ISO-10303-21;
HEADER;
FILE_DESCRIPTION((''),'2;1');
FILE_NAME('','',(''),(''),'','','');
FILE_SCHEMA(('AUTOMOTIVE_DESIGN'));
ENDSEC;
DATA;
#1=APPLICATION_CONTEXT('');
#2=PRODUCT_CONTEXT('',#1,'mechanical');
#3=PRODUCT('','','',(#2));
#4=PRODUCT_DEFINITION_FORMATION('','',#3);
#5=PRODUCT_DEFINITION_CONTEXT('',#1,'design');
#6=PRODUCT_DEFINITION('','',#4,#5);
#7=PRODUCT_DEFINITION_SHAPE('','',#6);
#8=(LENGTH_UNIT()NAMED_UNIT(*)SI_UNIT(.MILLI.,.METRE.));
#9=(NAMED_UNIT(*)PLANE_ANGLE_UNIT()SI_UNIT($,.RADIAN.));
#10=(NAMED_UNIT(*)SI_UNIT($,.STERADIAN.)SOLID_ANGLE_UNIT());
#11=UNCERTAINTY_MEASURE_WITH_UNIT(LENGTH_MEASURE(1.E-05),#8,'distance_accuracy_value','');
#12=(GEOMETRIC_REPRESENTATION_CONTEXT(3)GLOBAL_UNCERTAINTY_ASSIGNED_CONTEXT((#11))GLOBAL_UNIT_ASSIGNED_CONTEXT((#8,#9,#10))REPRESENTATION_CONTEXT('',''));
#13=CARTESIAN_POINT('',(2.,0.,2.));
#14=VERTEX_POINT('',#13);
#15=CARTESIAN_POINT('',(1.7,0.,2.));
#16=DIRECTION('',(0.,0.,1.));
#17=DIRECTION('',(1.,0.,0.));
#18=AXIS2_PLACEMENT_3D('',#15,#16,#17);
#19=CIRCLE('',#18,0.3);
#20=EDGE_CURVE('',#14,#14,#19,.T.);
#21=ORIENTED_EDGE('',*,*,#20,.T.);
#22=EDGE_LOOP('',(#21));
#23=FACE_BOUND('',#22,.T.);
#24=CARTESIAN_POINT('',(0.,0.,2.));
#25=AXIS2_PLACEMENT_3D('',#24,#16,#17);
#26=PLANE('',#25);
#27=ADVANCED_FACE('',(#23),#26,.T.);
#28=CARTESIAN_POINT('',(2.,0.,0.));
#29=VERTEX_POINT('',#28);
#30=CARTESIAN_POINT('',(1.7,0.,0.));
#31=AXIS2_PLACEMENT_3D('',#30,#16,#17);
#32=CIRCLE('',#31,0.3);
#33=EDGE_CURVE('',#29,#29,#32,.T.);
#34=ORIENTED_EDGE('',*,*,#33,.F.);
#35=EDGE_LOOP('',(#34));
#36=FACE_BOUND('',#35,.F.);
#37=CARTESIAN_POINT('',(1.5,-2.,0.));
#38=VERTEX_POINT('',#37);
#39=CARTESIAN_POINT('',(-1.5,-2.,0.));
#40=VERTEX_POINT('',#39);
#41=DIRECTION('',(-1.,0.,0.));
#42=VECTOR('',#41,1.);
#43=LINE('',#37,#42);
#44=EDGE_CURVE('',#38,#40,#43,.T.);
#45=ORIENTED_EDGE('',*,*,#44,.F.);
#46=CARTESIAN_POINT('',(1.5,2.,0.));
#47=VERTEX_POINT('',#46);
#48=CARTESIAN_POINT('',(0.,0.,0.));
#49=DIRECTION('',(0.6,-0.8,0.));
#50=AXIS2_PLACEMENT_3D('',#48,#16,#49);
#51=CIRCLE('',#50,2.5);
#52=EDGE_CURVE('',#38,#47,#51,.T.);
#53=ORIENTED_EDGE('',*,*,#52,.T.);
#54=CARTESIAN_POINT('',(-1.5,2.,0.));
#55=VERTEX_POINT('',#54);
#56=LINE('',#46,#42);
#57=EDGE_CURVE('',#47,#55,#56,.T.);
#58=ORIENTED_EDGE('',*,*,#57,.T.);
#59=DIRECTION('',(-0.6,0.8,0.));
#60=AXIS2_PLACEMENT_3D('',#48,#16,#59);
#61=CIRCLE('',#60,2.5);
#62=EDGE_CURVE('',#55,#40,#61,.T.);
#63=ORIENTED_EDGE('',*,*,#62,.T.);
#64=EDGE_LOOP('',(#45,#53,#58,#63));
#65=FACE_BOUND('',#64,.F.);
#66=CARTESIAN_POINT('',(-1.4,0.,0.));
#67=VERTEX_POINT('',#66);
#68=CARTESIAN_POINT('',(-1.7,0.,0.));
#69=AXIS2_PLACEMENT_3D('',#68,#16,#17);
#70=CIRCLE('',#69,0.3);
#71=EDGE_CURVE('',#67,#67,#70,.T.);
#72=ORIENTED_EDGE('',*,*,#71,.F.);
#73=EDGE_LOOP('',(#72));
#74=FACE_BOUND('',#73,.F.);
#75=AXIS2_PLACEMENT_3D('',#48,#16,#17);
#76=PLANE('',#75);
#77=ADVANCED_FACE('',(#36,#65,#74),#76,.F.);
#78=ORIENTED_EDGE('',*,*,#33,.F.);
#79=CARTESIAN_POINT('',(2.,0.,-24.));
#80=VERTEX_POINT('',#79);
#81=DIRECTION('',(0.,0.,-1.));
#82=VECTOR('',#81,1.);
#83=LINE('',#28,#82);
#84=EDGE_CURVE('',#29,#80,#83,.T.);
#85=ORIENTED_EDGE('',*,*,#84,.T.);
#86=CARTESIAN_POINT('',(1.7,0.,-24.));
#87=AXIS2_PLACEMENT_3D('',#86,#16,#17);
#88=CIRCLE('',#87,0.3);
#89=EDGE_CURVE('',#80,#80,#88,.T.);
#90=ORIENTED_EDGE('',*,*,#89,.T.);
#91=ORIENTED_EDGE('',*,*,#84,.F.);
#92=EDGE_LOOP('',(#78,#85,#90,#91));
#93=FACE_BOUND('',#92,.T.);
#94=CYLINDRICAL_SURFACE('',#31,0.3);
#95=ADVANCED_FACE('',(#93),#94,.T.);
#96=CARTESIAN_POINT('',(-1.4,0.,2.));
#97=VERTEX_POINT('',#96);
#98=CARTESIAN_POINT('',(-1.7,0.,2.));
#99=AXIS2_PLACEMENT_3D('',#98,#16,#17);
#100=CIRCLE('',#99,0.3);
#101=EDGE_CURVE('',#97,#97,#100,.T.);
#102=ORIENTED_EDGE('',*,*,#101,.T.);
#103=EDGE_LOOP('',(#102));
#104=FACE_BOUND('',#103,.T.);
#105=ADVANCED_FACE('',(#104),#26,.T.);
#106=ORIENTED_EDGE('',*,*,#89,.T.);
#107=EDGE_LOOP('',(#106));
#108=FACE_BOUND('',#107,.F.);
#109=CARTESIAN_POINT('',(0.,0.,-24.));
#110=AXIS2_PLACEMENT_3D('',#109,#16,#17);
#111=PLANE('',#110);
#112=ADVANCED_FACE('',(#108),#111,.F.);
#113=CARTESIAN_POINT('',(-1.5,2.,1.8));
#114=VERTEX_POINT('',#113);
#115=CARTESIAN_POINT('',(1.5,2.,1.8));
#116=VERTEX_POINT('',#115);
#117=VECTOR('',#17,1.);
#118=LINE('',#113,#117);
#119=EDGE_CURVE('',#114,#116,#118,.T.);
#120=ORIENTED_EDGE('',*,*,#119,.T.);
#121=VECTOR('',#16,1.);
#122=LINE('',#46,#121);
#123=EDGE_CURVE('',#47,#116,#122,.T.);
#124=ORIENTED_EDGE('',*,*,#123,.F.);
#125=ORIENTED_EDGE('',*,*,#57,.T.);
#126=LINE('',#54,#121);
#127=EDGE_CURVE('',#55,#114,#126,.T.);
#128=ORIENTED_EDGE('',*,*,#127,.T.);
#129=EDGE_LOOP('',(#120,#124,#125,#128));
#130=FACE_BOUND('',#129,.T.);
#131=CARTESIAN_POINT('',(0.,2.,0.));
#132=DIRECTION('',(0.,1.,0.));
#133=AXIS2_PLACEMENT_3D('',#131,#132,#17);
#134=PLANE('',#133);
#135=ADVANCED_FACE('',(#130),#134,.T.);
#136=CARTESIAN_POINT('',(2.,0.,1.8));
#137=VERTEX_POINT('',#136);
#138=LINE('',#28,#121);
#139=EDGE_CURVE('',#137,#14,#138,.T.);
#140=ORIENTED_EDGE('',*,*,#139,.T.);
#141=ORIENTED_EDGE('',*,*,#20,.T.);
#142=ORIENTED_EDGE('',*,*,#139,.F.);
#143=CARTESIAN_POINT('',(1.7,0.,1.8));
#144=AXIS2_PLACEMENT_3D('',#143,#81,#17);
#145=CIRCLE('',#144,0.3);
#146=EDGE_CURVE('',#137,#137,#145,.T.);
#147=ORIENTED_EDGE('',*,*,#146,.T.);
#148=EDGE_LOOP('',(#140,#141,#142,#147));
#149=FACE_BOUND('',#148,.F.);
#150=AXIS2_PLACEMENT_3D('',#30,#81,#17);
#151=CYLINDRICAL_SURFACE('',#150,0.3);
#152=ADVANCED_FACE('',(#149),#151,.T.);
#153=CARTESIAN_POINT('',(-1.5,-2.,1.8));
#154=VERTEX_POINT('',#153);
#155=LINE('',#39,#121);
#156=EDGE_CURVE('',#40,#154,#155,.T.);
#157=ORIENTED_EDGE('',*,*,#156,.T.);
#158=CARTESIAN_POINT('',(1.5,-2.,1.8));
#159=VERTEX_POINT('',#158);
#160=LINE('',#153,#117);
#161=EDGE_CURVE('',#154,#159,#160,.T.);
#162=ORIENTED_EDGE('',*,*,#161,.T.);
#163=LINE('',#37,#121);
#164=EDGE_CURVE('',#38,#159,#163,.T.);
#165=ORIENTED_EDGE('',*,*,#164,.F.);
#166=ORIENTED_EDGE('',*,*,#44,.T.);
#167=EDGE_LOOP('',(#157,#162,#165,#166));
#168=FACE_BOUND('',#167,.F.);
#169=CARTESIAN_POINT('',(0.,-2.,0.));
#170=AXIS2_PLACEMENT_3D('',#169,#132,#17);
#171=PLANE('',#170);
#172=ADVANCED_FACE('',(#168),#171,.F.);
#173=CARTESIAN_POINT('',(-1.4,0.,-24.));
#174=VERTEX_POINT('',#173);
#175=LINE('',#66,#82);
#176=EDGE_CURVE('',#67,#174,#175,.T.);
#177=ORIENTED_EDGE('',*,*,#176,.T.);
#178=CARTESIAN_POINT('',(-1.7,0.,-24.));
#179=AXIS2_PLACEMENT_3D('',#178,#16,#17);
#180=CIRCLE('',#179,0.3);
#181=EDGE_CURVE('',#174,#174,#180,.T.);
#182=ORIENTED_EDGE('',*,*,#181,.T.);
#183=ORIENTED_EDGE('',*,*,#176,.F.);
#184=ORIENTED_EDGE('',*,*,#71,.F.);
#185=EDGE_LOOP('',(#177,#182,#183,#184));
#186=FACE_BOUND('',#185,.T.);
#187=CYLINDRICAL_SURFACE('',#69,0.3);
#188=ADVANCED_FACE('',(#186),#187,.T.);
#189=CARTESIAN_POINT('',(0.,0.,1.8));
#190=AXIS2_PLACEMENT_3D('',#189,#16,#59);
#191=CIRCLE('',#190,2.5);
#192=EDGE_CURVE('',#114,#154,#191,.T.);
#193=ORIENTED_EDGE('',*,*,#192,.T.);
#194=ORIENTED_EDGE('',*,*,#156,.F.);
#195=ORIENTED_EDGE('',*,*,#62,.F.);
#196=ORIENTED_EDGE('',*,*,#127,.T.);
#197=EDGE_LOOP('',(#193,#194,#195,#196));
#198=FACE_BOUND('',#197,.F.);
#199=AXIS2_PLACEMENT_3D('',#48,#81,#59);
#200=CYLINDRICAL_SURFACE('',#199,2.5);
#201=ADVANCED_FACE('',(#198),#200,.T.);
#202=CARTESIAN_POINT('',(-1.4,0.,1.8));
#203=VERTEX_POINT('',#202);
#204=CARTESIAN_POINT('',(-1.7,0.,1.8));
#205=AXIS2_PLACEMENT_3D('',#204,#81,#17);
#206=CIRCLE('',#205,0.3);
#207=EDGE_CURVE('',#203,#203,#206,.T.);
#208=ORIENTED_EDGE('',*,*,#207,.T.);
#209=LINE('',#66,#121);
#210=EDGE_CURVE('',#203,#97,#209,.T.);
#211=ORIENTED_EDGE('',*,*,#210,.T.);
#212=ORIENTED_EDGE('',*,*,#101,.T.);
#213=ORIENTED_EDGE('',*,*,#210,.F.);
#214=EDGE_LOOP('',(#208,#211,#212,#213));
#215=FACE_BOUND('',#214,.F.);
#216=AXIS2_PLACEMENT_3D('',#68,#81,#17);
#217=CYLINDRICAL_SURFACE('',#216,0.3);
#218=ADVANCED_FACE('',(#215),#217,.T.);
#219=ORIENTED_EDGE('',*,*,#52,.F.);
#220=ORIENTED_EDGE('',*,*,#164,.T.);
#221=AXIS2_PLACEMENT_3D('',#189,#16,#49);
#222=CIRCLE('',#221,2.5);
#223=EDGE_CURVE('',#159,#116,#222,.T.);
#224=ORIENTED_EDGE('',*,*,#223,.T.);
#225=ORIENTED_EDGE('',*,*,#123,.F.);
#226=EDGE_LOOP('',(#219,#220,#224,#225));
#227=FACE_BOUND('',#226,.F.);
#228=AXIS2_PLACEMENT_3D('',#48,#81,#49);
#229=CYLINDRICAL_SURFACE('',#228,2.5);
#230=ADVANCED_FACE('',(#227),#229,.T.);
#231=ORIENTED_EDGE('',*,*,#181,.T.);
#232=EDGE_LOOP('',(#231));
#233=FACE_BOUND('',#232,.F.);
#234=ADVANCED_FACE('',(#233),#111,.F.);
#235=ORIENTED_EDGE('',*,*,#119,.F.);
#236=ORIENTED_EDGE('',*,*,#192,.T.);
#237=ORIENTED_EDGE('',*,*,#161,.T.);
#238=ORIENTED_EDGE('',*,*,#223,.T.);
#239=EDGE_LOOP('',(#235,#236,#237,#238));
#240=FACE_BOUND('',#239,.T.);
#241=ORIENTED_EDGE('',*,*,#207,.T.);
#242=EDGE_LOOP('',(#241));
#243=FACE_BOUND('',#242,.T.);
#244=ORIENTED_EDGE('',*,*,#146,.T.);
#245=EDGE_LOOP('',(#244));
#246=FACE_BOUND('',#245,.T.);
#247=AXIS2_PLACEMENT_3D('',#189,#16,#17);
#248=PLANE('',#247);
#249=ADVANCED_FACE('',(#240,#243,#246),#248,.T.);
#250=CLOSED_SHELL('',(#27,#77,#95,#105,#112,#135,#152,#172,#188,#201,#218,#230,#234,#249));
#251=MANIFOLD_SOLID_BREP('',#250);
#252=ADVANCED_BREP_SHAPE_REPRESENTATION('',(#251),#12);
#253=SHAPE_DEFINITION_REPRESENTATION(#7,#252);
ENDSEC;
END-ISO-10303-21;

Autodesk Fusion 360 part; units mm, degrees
sketch "LightResistorMeasurement" plane through (0, 0, 0) normal (0, 0, 1) x (1, 0, 0)
  line L0 (0, 0) -> (0.0874, 0)
  line L1 (0, 0) -> (0, 2) construction
  line L2 (0, 0) -> (0, -2) construction
  line L3 (0, 2) -> (1.5, 2)
  line L4 (0, 2) -> (-1.5, 2)
  line L5 (0, -2) -> (1.5, -2)
  line L6 (0, -2) -> (-1.5, -2)
  arc A0 (-1.5, 2) -> (-1.5, -2) centre (0, 0) ccw
  arc A1 (1.5, -2) -> (1.5, 2) centre (0, 0) ccw
  line L7 (0, 0) -> (2, 0) construction
  line L8 (0, 0) -> (-2, 0) construction
  circle A2 centre (-1.7, 0) radius 0.3
  circle A3 centre (1.7, 0) radius 0.3
  dimension "d1" = 5
  dimension "d2" = 2
  dimension "d3" = 2
  dimension "d4" = 2
  dimension "d5" = 0.6
  dimension "d6" = 0.6
extrude "Extrude1" add sketch "LightResistorMeasurement" along normal blind 1.8 contours L3 L4 L5 L6 A0 A1 | A2 | A3
extrude "Extrude2" add sketch "LightResistorMeasurement" against normal blind 24 contours A2 | A3
extrude "Extrude3" add sketch "LightResistorMeasurement" along normal blind 2 contours A2 | A3
